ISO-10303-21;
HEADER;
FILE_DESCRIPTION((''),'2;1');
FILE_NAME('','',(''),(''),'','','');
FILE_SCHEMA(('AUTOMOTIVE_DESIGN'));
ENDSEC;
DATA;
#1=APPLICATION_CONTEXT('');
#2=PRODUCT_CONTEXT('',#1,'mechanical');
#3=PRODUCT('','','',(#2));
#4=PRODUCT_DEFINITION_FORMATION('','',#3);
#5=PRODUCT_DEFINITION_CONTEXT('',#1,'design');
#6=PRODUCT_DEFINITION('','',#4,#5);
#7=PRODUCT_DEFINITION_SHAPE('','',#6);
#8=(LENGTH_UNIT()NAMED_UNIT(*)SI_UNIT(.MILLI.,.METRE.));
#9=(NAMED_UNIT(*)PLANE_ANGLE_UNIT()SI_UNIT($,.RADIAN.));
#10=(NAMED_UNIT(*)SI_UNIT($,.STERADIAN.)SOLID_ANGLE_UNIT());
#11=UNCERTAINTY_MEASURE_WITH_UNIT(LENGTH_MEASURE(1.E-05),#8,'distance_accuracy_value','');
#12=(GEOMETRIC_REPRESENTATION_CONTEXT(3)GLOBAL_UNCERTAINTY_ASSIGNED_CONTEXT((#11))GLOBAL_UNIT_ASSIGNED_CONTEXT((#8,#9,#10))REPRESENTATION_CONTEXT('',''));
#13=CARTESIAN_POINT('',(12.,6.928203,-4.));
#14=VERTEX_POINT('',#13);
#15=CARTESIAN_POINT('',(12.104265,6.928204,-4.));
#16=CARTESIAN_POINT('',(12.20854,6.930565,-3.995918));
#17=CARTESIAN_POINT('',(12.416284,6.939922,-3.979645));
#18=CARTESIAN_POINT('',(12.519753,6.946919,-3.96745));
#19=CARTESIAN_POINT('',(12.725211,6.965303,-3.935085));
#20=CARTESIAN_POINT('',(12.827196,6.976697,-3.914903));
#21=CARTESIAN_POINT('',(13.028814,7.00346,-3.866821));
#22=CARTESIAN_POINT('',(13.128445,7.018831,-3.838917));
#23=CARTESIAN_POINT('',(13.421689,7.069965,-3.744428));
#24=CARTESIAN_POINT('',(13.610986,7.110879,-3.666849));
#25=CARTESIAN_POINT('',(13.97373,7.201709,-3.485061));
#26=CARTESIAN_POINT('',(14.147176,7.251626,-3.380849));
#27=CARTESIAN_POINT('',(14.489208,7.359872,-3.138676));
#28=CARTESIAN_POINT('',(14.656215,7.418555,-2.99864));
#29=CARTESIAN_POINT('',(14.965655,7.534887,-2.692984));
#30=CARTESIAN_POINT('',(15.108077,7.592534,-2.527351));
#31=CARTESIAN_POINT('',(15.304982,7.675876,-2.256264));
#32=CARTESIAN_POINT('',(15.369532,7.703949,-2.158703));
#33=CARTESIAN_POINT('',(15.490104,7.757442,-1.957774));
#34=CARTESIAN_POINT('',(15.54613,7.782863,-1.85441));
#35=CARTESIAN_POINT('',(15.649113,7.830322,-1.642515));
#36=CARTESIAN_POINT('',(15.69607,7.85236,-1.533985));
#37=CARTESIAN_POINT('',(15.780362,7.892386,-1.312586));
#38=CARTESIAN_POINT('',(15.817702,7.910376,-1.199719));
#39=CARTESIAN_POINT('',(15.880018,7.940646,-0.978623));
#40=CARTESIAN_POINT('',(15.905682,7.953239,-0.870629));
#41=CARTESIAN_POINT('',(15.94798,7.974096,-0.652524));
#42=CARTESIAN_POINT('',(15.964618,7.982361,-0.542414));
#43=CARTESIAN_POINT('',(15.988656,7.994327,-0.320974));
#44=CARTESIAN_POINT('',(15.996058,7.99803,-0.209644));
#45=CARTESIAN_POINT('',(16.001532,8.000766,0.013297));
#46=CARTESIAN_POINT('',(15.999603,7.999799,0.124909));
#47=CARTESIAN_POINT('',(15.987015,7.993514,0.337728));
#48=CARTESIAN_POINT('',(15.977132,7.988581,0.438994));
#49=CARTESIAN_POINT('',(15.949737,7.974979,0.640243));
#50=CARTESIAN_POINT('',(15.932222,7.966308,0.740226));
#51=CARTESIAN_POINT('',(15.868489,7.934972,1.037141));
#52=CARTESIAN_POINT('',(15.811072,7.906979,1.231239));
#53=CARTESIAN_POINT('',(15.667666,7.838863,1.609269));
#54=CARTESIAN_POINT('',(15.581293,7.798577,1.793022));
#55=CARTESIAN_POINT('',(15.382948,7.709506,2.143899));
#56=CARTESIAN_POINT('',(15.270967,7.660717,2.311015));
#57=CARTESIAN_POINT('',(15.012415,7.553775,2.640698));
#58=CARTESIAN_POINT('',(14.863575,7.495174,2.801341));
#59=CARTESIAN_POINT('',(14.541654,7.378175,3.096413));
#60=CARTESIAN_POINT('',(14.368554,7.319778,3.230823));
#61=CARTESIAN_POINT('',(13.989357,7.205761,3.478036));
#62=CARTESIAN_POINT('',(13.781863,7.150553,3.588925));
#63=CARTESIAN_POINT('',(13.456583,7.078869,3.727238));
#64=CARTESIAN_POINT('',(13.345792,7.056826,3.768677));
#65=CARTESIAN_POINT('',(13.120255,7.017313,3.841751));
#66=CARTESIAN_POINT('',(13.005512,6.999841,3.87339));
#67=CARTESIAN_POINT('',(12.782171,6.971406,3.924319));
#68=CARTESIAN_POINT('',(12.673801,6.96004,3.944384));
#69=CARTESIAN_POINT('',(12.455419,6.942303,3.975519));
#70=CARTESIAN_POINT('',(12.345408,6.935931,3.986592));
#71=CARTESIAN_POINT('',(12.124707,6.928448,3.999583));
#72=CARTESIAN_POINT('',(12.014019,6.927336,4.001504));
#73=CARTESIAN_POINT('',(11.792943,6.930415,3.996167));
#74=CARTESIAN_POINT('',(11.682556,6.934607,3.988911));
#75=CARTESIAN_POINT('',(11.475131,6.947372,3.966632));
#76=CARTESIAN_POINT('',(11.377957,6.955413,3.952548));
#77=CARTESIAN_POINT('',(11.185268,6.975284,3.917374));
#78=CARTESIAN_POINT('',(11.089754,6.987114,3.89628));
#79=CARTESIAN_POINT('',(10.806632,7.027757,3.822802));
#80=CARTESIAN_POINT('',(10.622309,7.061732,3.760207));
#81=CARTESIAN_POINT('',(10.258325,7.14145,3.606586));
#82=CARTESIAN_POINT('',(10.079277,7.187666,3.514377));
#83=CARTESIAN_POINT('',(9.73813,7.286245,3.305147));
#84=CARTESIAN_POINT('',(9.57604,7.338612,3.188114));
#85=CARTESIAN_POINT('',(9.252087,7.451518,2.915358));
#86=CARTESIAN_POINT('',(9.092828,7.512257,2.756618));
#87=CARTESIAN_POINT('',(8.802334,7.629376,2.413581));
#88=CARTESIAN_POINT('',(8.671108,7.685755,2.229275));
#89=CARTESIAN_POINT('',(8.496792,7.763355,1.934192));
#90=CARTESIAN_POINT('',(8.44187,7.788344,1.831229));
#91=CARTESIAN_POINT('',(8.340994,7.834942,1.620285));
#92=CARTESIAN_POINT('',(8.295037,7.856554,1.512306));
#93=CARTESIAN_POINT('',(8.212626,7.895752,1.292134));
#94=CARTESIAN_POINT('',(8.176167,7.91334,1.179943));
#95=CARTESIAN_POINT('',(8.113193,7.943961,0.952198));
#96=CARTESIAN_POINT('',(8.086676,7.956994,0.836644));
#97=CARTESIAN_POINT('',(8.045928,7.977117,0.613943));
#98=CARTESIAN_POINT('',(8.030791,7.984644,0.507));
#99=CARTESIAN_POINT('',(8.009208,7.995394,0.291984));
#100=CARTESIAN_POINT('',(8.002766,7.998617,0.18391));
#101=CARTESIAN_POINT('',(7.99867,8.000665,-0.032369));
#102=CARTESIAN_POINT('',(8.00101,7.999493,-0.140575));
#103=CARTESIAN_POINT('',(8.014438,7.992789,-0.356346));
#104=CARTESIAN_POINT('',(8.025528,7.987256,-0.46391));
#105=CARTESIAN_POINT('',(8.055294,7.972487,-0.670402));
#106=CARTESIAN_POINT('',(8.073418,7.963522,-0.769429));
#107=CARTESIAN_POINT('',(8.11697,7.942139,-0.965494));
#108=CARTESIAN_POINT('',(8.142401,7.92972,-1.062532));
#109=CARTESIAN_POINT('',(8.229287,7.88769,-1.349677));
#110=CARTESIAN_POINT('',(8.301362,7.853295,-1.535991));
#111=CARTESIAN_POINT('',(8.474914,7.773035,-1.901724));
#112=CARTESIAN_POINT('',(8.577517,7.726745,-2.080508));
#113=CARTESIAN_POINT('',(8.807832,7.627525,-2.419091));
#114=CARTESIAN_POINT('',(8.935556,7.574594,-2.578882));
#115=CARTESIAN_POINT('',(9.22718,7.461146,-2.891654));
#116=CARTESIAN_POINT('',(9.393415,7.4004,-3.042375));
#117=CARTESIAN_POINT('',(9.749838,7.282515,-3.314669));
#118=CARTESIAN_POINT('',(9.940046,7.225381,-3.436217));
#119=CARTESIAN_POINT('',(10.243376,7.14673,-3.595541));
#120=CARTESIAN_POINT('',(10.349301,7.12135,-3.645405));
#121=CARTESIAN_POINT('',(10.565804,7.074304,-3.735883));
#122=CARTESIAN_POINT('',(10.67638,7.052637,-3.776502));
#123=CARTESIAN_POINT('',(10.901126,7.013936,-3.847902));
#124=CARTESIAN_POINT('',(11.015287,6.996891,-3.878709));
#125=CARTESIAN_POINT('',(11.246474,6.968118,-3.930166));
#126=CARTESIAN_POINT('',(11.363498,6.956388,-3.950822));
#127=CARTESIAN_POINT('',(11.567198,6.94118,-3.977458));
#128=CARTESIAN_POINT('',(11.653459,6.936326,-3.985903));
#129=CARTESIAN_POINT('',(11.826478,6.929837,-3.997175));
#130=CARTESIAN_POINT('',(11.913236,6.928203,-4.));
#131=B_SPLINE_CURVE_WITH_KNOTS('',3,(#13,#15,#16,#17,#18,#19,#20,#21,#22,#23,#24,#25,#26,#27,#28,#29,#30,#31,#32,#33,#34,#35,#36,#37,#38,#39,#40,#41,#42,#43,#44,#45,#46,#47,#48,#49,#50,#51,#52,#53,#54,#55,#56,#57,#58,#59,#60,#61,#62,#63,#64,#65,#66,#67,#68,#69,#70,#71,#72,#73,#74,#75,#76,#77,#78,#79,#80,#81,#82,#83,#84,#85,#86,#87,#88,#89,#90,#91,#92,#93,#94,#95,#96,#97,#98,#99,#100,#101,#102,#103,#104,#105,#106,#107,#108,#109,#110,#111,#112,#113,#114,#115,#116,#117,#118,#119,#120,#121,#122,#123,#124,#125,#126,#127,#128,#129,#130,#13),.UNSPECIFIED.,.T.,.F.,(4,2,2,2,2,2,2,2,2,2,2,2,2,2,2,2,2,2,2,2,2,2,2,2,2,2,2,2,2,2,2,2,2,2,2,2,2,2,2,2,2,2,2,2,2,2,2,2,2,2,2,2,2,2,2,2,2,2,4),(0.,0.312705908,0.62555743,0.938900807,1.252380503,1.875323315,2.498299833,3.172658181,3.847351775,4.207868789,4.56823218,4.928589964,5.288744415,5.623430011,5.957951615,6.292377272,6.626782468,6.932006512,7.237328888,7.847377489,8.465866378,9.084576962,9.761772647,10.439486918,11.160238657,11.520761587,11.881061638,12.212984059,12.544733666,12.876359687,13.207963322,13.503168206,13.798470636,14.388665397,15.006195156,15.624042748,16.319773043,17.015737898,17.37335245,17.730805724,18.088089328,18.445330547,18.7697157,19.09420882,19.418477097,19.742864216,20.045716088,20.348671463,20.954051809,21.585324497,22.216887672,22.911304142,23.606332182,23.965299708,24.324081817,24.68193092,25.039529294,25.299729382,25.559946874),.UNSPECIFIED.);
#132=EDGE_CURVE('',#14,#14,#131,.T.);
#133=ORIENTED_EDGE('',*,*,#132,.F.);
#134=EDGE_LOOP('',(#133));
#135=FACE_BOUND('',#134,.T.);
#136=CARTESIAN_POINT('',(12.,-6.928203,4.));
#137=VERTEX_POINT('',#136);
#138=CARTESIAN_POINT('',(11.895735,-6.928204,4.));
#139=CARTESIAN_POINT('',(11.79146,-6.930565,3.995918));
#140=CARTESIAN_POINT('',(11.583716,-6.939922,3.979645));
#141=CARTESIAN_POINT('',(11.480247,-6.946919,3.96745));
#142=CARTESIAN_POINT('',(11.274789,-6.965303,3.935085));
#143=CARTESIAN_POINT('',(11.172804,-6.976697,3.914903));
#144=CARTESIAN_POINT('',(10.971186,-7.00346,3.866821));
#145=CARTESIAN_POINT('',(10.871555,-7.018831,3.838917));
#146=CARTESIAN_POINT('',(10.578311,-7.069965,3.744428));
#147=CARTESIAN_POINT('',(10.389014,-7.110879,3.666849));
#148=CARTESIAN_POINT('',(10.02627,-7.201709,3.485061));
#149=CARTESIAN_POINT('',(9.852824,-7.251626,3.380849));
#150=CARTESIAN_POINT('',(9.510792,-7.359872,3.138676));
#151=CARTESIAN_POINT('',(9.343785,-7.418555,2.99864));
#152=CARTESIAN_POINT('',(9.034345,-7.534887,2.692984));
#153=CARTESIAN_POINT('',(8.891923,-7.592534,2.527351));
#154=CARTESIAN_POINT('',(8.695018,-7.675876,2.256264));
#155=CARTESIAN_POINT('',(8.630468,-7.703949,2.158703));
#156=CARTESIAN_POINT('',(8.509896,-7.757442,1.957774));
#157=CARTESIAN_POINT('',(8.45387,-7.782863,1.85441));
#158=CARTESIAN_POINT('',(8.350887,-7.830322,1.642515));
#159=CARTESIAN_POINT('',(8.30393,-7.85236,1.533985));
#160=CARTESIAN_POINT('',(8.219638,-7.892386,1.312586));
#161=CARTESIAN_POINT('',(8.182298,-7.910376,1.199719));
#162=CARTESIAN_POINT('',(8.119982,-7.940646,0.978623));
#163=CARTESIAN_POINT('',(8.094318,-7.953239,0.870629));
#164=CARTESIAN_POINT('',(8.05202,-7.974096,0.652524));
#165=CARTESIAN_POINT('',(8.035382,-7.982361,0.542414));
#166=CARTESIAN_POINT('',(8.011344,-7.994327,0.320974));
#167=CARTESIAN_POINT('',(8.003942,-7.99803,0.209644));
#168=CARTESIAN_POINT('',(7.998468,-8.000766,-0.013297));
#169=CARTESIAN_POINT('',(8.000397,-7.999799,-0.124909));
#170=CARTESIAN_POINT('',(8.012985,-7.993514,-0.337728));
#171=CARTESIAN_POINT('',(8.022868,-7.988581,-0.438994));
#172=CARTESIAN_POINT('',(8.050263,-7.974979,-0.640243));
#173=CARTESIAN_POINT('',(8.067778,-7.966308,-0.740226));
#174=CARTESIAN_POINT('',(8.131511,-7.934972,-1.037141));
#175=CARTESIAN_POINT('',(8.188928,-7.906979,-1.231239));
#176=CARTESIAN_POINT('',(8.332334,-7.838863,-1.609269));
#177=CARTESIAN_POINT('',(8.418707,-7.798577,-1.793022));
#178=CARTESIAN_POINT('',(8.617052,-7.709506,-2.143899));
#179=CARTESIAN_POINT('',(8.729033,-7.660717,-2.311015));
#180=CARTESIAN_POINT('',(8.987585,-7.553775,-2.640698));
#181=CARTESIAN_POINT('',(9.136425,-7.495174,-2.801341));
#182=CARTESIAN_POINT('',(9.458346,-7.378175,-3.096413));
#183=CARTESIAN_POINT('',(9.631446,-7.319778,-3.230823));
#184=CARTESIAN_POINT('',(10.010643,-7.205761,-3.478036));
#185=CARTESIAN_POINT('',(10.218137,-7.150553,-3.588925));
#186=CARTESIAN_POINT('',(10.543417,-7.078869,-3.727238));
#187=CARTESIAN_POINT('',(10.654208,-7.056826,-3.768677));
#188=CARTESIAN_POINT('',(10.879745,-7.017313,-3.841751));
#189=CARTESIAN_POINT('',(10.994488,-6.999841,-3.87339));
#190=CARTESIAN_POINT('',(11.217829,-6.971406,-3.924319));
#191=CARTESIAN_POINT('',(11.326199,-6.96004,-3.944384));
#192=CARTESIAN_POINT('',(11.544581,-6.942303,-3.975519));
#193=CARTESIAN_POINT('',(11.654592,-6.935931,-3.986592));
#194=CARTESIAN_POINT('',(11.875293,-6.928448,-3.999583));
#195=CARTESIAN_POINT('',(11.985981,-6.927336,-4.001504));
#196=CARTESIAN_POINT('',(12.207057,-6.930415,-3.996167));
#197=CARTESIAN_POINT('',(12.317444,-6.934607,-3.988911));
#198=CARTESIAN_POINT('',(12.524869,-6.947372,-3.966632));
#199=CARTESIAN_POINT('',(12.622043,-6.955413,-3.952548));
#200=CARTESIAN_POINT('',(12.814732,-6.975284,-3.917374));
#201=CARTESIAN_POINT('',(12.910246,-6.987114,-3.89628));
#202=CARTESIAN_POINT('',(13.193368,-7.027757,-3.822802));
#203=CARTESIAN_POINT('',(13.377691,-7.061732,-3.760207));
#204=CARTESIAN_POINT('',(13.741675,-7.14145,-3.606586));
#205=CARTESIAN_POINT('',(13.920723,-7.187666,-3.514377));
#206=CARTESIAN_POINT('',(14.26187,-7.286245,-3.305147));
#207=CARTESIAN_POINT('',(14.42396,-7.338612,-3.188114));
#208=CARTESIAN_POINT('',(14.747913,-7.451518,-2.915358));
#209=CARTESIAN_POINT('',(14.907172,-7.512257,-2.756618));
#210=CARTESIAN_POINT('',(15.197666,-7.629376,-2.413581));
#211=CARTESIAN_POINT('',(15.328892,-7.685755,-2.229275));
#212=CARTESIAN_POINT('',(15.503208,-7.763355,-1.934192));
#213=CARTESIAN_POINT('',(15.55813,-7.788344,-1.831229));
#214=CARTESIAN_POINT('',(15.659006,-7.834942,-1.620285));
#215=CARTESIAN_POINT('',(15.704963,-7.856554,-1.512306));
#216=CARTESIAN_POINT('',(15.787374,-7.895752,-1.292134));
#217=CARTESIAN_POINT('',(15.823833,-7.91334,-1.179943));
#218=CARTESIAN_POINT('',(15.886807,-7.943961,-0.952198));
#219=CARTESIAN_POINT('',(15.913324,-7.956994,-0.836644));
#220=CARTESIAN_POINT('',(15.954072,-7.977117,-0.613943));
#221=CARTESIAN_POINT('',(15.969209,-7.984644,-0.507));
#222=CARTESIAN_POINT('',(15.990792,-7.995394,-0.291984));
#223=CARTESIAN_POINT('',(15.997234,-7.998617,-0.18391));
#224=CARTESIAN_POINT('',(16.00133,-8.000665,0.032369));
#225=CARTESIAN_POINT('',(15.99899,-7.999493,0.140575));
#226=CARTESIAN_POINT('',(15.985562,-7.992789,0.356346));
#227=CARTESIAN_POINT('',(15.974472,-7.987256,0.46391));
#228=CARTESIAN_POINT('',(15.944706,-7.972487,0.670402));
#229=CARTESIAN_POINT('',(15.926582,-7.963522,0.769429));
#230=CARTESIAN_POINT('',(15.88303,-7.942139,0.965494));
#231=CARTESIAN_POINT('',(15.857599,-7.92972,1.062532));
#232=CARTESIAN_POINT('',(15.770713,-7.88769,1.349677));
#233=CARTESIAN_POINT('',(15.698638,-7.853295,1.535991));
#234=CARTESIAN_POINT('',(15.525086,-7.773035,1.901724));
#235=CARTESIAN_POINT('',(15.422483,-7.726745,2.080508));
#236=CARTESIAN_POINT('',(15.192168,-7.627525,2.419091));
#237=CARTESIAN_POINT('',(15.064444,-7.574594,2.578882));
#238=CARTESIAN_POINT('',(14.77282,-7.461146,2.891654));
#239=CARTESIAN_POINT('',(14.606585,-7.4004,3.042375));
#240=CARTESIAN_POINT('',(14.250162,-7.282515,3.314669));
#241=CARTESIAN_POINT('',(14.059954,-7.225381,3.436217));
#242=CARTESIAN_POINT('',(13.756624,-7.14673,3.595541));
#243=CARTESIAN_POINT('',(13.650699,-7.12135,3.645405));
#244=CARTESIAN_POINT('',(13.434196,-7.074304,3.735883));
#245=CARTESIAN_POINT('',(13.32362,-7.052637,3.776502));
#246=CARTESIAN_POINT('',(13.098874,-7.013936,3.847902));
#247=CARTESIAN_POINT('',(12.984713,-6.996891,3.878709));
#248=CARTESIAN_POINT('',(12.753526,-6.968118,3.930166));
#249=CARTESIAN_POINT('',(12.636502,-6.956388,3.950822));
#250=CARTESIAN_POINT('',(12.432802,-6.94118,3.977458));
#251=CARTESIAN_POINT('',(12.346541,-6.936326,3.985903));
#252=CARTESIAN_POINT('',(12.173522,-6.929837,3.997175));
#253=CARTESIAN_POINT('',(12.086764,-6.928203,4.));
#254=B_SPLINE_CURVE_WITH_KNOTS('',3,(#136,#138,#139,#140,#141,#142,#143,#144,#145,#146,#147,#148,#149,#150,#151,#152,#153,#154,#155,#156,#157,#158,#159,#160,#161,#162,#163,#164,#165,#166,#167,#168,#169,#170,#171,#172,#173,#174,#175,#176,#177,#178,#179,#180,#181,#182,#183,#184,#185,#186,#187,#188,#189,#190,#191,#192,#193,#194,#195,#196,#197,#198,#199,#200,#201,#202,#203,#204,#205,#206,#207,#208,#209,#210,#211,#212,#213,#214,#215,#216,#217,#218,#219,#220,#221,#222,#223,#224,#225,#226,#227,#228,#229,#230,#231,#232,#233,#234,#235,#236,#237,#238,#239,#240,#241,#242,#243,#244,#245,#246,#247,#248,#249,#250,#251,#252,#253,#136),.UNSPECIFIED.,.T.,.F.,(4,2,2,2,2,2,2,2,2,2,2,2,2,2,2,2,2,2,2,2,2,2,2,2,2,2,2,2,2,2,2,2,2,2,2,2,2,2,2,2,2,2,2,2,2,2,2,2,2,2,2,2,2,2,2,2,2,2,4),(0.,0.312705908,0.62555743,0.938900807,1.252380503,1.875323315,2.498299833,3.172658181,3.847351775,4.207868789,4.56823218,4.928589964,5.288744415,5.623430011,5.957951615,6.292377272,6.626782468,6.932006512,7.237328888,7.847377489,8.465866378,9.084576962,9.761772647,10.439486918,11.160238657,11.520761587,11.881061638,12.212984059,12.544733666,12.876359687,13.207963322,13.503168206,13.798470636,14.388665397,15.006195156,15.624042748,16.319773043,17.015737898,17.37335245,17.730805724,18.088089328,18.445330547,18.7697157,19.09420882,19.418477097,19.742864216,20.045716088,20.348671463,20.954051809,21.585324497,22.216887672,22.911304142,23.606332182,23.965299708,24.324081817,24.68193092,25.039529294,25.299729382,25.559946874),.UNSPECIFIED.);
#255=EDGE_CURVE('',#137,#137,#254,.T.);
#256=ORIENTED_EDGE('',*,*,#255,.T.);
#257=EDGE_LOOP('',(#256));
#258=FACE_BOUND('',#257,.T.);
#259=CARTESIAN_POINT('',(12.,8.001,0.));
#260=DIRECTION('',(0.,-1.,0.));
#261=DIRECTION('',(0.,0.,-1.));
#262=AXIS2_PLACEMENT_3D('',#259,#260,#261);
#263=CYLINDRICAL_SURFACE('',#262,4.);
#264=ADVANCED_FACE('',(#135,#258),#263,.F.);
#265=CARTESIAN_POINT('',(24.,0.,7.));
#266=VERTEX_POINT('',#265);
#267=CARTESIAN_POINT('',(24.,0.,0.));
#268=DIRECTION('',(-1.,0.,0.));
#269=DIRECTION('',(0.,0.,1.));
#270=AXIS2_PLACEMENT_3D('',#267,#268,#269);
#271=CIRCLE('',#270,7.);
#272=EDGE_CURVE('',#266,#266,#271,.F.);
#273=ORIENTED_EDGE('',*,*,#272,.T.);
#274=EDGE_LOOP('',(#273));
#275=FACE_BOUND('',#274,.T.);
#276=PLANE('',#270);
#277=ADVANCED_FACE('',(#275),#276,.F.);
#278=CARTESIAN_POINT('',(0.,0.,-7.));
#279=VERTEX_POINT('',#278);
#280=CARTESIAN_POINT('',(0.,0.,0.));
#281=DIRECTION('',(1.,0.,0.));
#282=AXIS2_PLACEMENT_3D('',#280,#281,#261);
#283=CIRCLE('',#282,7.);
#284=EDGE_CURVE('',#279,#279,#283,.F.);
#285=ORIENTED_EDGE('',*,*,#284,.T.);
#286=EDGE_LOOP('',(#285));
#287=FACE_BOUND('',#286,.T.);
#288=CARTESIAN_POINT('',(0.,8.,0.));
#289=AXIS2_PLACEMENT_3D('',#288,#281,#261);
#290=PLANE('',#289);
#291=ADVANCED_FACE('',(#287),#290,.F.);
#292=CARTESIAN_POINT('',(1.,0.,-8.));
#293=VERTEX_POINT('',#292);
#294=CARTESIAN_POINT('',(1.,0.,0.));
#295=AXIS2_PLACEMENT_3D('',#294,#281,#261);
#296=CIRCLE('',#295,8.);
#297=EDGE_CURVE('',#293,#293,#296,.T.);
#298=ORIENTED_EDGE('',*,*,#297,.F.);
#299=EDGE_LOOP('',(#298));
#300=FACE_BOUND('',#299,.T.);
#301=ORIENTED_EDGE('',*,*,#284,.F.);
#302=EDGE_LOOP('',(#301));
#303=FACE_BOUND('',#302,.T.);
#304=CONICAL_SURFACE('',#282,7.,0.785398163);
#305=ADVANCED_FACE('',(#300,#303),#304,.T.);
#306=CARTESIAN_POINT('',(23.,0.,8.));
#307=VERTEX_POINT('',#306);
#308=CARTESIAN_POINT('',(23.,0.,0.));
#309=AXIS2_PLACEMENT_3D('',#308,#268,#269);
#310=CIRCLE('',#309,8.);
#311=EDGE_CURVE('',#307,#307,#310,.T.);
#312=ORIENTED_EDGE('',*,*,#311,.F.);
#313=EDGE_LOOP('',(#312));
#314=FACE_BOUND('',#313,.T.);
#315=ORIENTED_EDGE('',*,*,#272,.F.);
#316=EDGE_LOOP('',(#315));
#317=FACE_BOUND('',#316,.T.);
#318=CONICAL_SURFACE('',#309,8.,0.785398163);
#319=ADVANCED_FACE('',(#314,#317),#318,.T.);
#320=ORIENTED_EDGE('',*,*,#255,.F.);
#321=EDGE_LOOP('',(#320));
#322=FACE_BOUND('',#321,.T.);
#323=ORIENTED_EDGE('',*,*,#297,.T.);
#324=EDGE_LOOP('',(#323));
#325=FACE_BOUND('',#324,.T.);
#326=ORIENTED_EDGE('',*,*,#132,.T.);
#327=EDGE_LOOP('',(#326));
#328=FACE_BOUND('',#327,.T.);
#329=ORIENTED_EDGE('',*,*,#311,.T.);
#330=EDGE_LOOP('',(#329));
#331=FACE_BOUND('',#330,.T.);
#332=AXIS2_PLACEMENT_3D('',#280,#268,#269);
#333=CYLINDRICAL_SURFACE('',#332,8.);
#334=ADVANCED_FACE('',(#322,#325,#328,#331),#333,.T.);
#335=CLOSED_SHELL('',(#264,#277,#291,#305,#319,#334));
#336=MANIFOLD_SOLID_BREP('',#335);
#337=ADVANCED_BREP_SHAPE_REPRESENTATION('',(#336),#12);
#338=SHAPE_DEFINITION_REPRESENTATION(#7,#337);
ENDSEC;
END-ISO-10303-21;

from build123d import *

# Parameters (mm, degrees)
SZKIC1_W                               = 24
SZKIC1_H                               = 8
WYTNIJ_WYCI_GNI_CIE1_REACH             = 10
SZKIC2_R                               = 4
WYTNIJ_WYCI_GNI_CIE1_DIRECTION_2_REACH = 10
SFAZOWANIE1_SIZE                       = 1


with BuildPart() as part:
    # Szkic1 → Obrót1 (revolve)
    with BuildSketch(Plane.XY):
        with Locations((12, 4)):
            Rectangle(SZKIC1_W, SZKIC1_H)
    revolve(axis=Axis((0, 0, 0), (1, 0, 0)))

    # Szkic2 → Wytnij-wyciągnięcie1 (cut, up to next)
    with BuildSketch(Plane(origin=(0, 0, 0), x_dir=(1, 0, 0), z_dir=(0, 1, 0)), mode=Mode.PRIVATE) as wytnij_wyci_gni_cie1_sk1:
        with Locations((12, 0)):
            Circle(SZKIC2_R)
    wytnij_wyci_gni_cie1_tool1 = extrude(wytnij_wyci_gni_cie1_sk1.sketch, amount=-WYTNIJ_WYCI_GNI_CIE1_REACH, mode=Mode.PRIVATE) & part.part
    add(wytnij_wyci_gni_cie1_tool1.solids().sort_by_distance((12, 0, 0))[0], mode=Mode.SUBTRACT)

    # Szkic2 → Wytnij-wyciągnięcie1 direction 2 (cut, up to next)
    with BuildSketch(Plane(origin=(0, 0, 0), x_dir=(1, 0, 0), z_dir=(0, 1, 0)), mode=Mode.PRIVATE) as wytnij_wyci_gni_cie1_direction_2_sk1:
        with Locations((12, 0)):
            Circle(SZKIC2_R)
    wytnij_wyci_gni_cie1_direction_2_tool1 = extrude(wytnij_wyci_gni_cie1_direction_2_sk1.sketch, amount=WYTNIJ_WYCI_GNI_CIE1_DIRECTION_2_REACH, mode=Mode.PRIVATE) & part.part
    add(wytnij_wyci_gni_cie1_direction_2_tool1.solids().sort_by_distance((12, 0, 0))[0], mode=Mode.SUBTRACT)

    # Sfazowanie1
    sfazowanie1_edges = [part.edges().sort_by_distance(p)[0] for p in [
        (0, -8, 0),
        (24, -8, 0),
    ]]
    chamfer(sfazowanie1_edges, length=SFAZOWANIE1_SIZE)


solid = part.part
